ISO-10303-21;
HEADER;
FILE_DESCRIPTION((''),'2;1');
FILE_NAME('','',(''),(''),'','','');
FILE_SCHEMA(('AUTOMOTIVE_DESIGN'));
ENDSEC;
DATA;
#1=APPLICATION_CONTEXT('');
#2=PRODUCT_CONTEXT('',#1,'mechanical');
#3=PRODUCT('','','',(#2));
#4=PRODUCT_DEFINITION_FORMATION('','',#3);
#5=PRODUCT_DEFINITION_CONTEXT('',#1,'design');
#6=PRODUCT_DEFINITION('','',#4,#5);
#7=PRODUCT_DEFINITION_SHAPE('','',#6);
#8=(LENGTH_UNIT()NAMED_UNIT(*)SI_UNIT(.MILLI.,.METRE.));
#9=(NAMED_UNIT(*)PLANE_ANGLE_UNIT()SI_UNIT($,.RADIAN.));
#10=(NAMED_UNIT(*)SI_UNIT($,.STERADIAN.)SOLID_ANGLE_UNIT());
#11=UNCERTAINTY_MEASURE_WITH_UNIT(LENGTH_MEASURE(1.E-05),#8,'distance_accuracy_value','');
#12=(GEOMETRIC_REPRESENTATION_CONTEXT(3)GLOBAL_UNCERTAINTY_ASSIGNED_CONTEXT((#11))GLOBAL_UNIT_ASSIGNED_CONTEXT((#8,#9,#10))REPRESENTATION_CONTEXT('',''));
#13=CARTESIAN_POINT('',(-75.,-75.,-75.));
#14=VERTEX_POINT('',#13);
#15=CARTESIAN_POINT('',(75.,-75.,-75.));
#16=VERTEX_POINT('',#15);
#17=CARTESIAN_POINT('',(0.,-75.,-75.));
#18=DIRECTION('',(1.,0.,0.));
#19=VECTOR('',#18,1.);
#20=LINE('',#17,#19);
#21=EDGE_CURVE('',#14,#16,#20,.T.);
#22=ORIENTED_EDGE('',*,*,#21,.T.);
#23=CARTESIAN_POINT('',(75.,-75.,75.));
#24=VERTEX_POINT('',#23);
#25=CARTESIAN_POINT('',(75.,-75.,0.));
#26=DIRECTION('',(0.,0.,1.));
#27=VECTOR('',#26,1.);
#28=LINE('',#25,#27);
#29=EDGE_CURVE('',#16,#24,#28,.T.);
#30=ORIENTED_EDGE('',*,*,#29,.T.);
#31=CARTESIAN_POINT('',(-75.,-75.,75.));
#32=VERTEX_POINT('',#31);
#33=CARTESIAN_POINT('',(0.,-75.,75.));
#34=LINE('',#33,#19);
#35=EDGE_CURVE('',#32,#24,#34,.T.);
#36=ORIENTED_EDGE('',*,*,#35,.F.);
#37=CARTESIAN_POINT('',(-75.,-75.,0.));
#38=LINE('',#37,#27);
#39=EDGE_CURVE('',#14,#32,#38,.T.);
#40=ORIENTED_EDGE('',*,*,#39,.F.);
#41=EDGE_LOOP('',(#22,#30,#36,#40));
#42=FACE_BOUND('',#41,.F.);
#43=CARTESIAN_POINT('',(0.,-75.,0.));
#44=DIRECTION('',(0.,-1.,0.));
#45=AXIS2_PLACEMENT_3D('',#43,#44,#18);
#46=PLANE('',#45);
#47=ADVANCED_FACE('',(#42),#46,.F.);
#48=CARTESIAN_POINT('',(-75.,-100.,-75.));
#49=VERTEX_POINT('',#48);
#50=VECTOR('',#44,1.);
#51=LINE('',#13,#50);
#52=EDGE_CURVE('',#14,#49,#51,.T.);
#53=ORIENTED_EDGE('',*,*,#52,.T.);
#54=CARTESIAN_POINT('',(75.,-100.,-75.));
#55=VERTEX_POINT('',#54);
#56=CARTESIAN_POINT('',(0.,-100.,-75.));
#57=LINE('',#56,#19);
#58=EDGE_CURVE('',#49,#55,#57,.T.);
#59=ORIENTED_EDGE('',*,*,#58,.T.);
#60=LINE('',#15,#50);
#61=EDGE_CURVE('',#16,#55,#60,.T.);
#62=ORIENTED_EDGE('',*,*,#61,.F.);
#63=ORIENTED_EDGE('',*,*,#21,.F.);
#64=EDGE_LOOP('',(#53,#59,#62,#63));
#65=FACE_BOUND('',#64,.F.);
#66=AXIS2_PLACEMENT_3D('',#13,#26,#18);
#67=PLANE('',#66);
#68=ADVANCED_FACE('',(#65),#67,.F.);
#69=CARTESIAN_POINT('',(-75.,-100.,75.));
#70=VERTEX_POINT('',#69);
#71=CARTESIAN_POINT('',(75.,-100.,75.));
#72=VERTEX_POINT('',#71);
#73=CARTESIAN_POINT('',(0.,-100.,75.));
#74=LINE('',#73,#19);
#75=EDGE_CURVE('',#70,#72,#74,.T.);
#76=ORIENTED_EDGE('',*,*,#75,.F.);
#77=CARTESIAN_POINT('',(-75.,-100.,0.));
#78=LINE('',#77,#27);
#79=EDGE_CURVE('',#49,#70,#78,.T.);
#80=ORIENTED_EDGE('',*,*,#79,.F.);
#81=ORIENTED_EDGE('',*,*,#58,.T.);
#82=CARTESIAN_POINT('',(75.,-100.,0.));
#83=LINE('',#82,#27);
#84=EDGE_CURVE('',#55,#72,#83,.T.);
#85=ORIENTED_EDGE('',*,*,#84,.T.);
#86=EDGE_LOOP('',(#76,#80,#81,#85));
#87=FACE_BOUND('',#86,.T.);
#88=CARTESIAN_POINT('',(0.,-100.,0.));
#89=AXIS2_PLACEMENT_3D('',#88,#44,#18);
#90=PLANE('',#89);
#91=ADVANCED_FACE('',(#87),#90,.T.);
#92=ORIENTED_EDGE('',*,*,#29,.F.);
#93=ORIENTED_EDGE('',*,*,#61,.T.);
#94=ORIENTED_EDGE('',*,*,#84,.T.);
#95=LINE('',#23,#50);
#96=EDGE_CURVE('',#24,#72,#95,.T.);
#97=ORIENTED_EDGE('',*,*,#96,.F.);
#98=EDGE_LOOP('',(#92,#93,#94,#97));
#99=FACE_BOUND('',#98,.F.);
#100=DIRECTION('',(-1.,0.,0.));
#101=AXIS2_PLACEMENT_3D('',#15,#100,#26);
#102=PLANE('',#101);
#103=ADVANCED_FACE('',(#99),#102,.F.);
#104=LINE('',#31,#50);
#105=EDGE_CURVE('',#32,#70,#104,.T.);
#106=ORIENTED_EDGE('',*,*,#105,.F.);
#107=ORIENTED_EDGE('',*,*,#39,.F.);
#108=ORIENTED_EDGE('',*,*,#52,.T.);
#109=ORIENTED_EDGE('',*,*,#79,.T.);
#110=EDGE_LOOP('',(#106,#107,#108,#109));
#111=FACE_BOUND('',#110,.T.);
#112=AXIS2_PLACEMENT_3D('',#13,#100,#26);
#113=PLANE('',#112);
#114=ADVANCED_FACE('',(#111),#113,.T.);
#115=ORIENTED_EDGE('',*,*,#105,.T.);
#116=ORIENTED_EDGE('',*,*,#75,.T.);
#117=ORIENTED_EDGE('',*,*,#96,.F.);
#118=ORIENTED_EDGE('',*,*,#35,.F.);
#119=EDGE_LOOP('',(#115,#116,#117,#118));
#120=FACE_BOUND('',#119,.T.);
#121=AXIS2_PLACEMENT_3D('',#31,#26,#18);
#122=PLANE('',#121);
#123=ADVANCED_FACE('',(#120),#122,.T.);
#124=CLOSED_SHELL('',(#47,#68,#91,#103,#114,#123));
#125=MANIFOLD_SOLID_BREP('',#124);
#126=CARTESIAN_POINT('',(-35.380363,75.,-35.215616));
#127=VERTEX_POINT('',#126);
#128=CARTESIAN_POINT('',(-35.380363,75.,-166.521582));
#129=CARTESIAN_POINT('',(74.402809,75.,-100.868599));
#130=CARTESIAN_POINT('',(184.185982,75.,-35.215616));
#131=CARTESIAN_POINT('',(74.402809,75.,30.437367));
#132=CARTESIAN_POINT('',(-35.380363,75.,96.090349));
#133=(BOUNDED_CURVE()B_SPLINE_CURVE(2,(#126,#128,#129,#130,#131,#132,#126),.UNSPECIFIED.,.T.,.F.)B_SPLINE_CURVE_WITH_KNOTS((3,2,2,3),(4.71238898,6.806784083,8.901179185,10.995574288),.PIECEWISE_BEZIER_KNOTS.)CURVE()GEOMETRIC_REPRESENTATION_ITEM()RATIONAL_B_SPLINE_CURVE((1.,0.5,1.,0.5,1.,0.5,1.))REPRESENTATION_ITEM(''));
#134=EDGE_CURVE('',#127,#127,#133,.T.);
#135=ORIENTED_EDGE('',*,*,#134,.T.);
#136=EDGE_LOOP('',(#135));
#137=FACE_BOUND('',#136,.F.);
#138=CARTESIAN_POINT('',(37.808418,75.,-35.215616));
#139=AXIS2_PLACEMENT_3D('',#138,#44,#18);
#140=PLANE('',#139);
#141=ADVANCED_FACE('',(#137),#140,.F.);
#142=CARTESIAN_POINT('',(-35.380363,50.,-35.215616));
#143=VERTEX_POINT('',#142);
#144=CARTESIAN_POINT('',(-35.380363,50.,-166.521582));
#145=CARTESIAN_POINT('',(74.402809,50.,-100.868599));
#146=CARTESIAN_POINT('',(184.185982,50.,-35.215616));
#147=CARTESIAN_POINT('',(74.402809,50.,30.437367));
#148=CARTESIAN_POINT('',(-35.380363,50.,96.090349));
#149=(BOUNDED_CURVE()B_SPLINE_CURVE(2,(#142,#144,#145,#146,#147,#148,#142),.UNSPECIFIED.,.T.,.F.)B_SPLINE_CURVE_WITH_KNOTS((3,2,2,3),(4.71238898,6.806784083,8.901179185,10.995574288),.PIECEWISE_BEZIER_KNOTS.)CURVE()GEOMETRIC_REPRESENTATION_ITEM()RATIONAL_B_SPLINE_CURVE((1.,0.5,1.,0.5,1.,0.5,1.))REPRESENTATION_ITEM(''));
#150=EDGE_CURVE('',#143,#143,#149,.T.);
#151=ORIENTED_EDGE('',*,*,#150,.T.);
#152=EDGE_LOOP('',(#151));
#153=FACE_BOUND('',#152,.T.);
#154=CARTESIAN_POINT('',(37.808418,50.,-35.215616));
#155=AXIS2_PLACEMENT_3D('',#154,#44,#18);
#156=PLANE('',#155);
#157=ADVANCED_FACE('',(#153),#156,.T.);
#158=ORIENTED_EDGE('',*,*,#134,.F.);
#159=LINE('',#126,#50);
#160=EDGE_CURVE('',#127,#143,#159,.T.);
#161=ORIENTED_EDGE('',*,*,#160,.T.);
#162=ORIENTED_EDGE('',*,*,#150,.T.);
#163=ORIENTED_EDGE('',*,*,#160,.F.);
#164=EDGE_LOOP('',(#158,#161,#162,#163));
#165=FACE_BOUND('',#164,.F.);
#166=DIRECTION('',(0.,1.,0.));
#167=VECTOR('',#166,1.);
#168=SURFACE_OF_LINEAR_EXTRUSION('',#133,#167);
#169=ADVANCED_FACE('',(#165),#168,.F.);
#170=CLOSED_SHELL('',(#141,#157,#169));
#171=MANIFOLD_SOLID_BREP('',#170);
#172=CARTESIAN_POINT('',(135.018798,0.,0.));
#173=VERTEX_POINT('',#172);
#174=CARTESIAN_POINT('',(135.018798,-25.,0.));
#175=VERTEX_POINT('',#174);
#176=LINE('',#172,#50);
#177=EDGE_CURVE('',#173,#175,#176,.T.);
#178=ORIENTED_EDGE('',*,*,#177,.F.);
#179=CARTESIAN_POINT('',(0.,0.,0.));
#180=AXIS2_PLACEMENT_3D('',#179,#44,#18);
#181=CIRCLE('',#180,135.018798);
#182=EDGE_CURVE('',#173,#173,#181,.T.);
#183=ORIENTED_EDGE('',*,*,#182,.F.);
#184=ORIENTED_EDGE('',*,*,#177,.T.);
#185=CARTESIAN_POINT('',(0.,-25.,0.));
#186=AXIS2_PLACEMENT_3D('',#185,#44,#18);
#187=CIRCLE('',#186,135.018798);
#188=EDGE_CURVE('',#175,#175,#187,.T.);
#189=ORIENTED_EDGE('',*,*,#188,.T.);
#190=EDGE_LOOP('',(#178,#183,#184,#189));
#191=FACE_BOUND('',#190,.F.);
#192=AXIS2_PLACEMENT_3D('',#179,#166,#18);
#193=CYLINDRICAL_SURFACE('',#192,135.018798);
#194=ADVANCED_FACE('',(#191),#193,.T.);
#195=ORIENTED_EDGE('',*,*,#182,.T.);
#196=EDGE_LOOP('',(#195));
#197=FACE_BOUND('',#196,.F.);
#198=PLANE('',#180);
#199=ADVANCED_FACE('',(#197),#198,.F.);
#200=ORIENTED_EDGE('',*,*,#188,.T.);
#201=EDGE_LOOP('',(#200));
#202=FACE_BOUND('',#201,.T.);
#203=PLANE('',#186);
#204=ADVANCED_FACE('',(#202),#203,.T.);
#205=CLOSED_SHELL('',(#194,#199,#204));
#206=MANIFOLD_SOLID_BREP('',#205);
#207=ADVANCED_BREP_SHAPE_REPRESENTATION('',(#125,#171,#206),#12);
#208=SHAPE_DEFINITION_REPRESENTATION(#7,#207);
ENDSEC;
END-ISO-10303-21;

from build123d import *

# Parameters (mm, degrees)
F2_W     = 150
F2_H     = 150
F5_DEPTH = 25.0000003725
F3_R     = 135.0187980494


with BuildPart() as f5:
    # F2 (on offset) → F5 (new body)
    with BuildSketch(Plane.XZ.offset(75)):
        Rectangle(F2_W, F2_H)
    extrude(amount=F5_DEPTH)


with BuildPart() as f5b:
    # F3 (on Front) → F5, piece 2 (new body)
    with BuildSketch(Plane.XZ):
        Circle(F3_R)
    extrude(amount=F5_DEPTH)


with BuildPart() as f5c:
    # F4 (on offset) → F5, piece 3 (new body)
    with BuildSketch(Plane.XZ.offset(-75)):
        with BuildLine():
            add(Edge.make_bspline(
                [(-35.3803634644, -35.2156162262), (-35.3803634644, -166.5215816961), (74.4028091431, -100.8685989611), (184.1859817505, -35.2156162262), (74.4028091431, 30.4373665087), (-35.3803634644, 96.0903492437), (-35.3803634644, -35.2156162262)],
                knots=[4.7123889804, 4.7123889804, 4.7123889804, 6.8067840828, 6.8067840828, 8.9011791852, 8.9011791852, 10.9955742876, 10.9955742876, 10.9955742876], degree=2, weights=[1, 0.5, 1, 0.5, 1, 0.5, 1]))
        make_face()
    extrude(amount=F5_DEPTH)


solid = Compound([f5.part, f5b.part, f5c.part])
